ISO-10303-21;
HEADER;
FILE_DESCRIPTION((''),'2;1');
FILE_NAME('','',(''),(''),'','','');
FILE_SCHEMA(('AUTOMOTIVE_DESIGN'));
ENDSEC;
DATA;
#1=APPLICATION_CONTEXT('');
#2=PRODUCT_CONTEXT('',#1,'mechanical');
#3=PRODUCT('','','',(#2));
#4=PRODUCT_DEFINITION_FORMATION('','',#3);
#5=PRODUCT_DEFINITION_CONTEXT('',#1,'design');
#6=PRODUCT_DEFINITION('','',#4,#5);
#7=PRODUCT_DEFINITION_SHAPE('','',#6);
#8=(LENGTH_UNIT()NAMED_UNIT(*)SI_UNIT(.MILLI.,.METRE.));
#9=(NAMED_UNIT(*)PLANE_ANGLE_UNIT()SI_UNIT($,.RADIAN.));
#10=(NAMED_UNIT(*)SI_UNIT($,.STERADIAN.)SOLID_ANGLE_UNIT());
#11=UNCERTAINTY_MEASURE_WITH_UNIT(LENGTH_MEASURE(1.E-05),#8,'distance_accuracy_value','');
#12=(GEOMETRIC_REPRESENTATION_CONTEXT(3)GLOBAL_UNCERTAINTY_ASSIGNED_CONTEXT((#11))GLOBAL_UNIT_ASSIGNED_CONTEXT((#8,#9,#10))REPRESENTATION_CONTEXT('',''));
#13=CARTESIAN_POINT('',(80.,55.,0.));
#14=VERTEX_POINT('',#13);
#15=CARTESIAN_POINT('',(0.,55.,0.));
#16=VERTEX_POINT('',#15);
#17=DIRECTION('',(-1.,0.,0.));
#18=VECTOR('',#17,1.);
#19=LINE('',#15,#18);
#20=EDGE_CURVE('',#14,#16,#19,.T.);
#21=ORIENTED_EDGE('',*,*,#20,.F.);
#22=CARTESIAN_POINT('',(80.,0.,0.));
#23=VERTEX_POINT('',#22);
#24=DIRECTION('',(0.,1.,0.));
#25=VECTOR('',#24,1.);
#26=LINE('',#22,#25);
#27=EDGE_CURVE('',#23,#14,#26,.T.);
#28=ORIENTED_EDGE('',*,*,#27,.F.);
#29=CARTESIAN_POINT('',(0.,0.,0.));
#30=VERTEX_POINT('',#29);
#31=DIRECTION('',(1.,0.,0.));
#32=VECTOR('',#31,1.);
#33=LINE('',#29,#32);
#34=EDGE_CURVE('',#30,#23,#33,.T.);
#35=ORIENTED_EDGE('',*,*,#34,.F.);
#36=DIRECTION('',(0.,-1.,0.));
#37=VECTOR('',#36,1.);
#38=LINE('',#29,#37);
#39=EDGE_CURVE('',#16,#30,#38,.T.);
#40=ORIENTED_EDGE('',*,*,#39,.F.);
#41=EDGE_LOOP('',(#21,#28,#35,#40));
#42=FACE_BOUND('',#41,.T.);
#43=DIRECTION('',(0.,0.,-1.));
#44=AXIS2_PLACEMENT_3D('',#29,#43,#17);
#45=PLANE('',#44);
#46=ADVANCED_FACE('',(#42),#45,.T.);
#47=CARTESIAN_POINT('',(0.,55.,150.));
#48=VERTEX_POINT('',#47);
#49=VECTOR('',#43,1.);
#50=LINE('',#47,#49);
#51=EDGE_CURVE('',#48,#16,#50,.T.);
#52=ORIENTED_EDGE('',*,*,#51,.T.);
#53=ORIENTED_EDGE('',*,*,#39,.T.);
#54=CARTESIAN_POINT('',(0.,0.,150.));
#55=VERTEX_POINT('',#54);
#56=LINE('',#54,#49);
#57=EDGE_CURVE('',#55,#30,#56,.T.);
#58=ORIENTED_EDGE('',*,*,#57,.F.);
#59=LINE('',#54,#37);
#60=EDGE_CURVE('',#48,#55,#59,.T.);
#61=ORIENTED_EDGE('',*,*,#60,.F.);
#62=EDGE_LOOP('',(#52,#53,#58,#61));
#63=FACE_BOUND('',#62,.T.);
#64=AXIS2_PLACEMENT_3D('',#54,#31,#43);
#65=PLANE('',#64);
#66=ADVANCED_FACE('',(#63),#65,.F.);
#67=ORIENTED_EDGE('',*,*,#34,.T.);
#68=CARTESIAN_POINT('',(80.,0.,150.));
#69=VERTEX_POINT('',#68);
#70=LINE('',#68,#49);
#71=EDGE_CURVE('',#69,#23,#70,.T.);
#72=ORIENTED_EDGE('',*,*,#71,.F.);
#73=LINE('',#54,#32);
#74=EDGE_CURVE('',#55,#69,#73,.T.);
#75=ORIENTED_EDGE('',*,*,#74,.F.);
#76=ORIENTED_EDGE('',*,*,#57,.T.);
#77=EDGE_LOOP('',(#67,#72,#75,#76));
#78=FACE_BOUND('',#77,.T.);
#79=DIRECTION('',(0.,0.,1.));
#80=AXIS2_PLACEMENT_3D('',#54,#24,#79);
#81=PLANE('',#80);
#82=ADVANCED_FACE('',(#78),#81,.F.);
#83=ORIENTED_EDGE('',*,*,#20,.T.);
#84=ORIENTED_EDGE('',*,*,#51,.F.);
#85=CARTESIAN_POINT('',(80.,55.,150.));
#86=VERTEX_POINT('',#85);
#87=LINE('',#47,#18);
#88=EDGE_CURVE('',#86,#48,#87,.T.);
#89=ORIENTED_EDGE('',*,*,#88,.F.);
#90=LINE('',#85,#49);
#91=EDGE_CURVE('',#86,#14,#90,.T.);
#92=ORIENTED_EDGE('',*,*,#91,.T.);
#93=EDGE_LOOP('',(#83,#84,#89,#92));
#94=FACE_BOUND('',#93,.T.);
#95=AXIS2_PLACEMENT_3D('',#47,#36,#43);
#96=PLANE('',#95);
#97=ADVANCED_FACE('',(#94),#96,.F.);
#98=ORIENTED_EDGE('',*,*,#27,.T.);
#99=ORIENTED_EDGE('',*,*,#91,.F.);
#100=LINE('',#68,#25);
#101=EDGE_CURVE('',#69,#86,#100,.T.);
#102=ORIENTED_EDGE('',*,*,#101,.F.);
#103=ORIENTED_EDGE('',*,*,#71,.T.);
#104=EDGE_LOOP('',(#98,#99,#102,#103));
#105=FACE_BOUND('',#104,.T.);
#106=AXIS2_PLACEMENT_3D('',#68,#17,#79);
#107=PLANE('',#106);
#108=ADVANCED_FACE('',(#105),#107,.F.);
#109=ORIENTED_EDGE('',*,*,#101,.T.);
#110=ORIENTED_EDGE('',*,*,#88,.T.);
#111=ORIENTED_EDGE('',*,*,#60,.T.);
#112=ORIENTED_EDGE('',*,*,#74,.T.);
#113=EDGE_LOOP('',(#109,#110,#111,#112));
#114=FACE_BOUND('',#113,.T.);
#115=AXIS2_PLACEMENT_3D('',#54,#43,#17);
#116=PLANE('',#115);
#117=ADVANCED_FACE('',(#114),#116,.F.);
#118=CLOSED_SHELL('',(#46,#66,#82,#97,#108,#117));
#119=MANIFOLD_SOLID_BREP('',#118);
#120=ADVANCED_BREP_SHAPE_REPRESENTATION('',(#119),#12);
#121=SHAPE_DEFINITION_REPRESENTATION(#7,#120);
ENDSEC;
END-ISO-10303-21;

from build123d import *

# Parameters (mm, degrees)
SKETCH_1_W      = 80
SKETCH_1_H      = 55
EXTRUDE_1_DEPTH = 150


with BuildPart() as part:
    # 草图1 → 凸台-拉伸1 (new body)
    with BuildSketch(Plane.XY):
        with Locations((40, 27.5)):
            Rectangle(SKETCH_1_W, SKETCH_1_H)
    extrude(amount=EXTRUDE_1_DEPTH)


solid = part.part
